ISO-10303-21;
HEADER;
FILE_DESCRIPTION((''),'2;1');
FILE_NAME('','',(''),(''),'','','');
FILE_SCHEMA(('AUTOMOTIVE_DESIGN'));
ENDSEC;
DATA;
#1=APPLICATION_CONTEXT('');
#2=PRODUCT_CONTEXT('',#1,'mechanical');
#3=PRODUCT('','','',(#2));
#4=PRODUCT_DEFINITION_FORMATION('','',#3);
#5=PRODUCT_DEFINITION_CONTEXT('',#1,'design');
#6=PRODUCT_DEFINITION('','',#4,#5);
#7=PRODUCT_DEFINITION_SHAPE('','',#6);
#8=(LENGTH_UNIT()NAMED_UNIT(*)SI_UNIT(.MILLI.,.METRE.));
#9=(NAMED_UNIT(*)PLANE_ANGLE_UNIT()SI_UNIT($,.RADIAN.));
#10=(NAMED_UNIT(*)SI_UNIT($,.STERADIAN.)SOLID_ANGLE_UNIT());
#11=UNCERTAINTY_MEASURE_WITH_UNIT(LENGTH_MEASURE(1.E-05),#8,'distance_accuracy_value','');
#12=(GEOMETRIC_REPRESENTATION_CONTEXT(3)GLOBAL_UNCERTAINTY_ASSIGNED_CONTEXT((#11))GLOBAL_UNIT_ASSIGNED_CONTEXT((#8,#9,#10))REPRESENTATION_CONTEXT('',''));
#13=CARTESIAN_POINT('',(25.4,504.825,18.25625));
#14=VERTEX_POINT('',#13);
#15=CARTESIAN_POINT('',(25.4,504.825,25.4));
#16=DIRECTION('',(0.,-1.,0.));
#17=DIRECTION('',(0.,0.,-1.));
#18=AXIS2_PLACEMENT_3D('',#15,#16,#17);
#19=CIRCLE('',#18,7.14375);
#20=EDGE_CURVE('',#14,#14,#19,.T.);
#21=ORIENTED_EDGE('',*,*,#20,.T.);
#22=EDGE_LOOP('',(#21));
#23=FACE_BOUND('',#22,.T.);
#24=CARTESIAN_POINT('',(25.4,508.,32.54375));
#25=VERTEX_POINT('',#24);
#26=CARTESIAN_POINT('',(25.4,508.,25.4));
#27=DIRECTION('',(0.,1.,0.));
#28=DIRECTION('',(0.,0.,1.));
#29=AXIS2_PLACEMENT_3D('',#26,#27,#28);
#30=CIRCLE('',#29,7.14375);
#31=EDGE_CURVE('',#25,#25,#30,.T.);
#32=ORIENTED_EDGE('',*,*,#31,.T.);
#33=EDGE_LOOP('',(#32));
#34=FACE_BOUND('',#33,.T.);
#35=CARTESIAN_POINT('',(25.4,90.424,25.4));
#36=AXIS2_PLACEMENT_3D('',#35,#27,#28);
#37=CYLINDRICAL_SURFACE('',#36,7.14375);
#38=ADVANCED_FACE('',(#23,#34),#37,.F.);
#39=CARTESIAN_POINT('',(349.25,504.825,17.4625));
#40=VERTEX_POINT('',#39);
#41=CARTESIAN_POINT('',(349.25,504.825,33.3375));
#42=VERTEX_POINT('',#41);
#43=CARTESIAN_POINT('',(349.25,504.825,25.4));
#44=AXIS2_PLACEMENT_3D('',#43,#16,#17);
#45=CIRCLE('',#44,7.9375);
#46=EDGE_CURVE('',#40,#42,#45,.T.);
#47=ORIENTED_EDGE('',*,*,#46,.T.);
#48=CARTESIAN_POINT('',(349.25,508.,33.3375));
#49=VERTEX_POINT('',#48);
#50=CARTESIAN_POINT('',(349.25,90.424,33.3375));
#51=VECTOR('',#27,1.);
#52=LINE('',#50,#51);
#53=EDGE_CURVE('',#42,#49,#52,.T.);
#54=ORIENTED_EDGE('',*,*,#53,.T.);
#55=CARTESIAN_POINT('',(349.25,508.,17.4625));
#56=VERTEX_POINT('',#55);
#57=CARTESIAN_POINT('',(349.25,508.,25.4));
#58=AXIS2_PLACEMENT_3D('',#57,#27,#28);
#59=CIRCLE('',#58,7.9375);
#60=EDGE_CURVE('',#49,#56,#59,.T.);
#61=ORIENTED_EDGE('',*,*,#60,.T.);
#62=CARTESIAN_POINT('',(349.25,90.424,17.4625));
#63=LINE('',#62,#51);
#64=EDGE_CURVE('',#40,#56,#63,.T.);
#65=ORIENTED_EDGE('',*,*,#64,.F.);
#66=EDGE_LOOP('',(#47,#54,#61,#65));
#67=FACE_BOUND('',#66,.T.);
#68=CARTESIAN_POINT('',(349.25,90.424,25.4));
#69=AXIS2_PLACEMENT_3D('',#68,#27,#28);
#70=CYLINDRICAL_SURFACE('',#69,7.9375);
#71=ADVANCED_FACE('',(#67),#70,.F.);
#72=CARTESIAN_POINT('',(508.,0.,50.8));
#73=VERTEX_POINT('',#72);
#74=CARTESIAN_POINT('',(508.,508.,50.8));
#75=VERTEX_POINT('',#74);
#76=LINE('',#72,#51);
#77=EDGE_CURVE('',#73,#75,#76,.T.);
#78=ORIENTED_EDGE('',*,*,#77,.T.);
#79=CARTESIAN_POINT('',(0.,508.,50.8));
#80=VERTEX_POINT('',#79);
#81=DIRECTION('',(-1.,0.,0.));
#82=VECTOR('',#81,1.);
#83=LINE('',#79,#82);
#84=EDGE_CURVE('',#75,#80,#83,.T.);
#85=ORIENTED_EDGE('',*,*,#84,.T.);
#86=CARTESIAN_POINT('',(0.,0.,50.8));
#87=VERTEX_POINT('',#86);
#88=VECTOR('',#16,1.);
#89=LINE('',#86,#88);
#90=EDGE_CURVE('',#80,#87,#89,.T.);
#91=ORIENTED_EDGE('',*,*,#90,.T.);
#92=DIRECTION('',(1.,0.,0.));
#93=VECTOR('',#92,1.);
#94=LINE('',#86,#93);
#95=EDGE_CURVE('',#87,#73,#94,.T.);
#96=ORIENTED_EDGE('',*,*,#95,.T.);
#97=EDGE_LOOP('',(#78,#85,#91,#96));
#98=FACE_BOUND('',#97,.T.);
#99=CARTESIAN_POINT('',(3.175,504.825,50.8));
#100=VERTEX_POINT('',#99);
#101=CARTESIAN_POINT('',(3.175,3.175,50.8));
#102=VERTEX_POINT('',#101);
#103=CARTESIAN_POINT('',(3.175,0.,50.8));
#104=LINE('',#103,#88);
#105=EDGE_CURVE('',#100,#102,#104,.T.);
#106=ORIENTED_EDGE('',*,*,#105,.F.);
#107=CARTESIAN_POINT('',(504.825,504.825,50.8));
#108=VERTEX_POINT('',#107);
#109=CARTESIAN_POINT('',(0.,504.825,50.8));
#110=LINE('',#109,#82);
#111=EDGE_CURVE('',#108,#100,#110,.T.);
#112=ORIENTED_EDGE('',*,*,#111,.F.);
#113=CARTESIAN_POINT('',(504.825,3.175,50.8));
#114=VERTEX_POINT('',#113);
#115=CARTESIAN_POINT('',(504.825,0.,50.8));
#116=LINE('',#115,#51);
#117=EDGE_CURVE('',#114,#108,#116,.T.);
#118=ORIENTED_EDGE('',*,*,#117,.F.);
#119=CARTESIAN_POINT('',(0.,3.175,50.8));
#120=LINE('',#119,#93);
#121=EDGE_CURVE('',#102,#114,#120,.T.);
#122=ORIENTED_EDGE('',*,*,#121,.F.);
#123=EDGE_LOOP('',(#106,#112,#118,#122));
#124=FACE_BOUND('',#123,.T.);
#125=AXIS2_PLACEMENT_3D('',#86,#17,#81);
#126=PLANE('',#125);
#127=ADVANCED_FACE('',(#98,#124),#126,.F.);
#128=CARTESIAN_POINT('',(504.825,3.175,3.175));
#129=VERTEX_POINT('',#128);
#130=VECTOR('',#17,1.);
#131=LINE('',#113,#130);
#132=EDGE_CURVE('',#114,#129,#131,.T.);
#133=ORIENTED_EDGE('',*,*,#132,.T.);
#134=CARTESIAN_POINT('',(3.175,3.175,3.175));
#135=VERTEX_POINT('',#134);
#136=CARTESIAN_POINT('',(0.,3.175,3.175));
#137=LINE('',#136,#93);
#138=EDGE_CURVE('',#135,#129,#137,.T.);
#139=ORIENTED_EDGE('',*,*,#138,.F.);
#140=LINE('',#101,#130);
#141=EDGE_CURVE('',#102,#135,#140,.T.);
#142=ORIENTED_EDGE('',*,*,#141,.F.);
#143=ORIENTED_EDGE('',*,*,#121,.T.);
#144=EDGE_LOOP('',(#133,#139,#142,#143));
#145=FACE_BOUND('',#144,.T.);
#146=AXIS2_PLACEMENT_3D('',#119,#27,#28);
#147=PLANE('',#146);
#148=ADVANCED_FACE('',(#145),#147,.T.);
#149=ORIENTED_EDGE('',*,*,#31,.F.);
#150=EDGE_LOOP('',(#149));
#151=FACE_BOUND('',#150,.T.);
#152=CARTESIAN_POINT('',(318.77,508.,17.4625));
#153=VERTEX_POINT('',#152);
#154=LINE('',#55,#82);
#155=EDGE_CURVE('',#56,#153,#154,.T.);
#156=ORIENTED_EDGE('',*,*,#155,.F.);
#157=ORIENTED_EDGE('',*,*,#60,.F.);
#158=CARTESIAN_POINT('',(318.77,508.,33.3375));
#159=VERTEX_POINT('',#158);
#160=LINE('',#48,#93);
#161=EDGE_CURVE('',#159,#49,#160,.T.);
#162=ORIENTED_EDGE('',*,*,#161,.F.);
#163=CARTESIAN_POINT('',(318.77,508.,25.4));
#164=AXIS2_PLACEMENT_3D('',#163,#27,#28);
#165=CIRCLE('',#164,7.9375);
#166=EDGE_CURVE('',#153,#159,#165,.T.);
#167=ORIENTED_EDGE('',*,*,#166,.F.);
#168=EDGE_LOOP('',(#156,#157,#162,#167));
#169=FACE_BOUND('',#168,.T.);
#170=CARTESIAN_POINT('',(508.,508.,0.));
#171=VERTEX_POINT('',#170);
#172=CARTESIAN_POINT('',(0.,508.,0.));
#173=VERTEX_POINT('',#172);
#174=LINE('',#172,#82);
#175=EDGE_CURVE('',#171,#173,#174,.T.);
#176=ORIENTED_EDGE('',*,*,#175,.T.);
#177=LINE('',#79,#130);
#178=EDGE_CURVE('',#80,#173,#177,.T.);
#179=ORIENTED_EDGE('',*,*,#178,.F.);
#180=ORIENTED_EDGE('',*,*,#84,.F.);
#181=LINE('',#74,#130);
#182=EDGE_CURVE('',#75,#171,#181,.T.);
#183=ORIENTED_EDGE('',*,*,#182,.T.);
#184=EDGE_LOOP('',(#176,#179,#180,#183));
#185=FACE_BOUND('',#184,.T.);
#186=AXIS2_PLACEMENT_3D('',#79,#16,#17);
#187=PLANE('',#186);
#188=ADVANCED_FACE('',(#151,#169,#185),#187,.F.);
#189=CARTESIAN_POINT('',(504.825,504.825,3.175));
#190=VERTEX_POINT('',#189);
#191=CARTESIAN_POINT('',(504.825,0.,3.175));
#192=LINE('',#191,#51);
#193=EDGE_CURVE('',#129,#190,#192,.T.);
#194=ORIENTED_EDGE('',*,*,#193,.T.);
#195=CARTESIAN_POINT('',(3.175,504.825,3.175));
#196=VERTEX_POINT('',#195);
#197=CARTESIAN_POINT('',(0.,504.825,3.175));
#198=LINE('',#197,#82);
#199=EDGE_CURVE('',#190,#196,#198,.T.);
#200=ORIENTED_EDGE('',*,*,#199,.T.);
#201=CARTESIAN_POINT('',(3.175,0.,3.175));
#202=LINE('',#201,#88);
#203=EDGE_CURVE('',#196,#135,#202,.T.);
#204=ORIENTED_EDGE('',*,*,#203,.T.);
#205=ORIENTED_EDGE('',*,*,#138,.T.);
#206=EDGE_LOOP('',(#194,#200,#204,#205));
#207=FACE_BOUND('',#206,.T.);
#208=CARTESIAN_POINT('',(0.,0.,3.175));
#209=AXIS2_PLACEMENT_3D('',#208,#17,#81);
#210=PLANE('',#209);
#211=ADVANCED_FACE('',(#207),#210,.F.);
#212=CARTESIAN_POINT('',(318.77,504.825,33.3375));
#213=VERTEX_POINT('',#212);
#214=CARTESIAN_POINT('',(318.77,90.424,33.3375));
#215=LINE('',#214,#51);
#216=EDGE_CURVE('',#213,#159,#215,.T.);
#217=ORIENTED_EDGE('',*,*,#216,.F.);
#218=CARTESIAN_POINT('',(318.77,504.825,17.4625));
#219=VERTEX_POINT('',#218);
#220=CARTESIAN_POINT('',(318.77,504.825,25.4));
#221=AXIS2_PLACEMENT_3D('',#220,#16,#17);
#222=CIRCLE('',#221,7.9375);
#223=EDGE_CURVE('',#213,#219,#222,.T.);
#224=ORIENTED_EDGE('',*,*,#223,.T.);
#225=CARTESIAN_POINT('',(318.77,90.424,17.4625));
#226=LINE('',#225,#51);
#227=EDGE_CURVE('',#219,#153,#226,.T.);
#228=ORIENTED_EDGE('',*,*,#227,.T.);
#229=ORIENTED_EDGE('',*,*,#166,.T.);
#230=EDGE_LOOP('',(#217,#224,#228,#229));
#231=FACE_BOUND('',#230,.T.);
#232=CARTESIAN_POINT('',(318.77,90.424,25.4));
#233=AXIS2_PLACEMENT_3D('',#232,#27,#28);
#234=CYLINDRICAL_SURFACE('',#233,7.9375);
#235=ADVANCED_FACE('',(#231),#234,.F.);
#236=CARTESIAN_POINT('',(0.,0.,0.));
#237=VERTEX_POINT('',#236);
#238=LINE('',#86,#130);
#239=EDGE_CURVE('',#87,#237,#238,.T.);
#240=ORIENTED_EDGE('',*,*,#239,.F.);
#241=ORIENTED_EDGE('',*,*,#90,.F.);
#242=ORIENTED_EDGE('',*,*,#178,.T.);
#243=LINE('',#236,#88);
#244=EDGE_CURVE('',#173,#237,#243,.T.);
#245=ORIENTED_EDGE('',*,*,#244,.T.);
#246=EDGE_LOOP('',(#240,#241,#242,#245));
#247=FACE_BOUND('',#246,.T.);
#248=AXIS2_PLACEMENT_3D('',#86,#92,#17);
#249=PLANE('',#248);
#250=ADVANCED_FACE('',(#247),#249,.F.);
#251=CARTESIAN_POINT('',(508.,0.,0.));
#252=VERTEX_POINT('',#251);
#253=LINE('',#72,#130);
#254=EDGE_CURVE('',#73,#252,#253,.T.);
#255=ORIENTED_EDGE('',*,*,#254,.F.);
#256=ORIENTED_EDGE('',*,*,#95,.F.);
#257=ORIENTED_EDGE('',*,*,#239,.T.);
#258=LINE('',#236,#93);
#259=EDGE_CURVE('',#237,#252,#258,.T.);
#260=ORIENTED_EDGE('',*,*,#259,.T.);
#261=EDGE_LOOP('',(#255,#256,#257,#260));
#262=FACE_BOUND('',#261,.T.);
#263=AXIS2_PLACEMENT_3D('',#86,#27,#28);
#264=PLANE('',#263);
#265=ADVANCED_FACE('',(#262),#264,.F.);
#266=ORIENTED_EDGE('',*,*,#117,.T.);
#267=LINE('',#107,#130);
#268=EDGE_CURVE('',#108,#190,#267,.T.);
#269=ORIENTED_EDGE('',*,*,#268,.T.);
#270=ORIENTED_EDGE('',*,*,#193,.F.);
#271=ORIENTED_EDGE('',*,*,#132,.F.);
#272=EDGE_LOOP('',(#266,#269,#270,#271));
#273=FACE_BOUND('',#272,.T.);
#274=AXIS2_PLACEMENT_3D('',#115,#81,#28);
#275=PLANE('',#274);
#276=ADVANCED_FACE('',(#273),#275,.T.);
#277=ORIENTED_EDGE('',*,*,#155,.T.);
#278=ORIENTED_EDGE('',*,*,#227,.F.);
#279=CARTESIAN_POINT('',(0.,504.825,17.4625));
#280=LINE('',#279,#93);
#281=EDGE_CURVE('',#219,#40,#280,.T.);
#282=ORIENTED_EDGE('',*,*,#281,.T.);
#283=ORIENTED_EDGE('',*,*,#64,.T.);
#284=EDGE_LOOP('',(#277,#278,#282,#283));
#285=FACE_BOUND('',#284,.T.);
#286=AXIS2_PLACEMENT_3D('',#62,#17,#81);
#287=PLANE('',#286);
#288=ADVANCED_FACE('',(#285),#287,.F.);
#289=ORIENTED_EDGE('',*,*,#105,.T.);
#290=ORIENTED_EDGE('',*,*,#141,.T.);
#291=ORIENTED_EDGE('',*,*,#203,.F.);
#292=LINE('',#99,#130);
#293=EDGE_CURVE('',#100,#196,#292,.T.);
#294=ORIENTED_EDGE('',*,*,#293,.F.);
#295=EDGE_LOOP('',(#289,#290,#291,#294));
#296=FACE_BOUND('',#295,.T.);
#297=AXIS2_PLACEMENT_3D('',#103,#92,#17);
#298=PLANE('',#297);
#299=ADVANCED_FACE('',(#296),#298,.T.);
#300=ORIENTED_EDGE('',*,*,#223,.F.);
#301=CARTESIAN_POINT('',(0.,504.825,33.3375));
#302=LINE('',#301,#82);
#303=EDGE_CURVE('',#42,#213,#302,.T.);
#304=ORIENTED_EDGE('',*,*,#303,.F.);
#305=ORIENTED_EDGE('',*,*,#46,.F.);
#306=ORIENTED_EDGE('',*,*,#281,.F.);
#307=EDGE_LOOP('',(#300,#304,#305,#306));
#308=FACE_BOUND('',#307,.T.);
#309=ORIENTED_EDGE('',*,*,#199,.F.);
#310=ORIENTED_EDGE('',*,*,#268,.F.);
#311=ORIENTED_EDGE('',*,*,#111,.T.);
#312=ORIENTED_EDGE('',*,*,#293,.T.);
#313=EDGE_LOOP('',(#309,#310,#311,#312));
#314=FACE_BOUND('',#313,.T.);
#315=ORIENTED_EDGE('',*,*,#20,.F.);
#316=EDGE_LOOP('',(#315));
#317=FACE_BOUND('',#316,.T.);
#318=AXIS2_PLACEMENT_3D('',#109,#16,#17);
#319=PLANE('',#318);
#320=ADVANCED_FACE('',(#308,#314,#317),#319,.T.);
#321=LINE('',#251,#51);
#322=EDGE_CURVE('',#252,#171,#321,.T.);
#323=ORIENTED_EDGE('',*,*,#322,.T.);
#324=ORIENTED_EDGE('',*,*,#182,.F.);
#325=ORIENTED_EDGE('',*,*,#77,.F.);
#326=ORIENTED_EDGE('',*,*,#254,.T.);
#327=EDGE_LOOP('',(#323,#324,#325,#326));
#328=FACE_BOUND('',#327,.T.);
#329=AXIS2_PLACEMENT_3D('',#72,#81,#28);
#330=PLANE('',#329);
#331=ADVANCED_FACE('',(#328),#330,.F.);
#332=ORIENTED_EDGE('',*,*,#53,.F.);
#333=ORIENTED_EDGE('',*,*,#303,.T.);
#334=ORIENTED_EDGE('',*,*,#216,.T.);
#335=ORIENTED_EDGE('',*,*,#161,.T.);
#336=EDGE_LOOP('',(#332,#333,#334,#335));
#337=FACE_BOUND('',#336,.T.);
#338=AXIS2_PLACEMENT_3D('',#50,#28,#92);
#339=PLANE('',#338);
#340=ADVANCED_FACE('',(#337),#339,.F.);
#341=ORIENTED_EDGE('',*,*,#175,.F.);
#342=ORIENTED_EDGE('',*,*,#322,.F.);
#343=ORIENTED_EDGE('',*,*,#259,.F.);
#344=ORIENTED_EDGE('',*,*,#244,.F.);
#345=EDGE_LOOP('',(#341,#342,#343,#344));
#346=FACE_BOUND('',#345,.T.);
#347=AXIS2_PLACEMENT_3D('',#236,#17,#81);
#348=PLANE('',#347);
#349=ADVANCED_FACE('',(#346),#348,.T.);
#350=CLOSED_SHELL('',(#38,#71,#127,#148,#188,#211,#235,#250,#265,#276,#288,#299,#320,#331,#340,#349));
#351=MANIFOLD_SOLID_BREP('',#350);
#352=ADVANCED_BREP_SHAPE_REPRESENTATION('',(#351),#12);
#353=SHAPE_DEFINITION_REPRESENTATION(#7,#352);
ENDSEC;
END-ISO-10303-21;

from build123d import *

# Parameters (mm, degrees)
SKETCH1_W           = 508
SKETCH1_H           = 508
BOSS_EXTRUDE1_DEPTH = 50.8
SHELL1_T            = -3.175
SKETCH2_R           = 7.14375
CUT_EXTRUDE1_DEPTH  = 417.576


with BuildPart() as part:
    # Sketch1 → Boss-Extrude1 (new body)
    with BuildSketch(Plane.XY):
        with Locations((254, 254)):
            Rectangle(SKETCH1_W, SKETCH1_H)
    extrude(amount=BOSS_EXTRUDE1_DEPTH)

    # Shell1
    shell1_openings = [part.faces().sort_by_distance(p)[0] for p in [
        (254, 254, 50.8),
    ]]
    offset(amount=SHELL1_T, openings=shell1_openings, kind=Kind.INTERSECTION)

    # Sketch2 → Cut-Extrude1 (cut)
    with BuildSketch(Plane(origin=(0, 508, 0), x_dir=(1, 0, 0), z_dir=(0, 1, 0))):
        with Locations(Location((25.4, -25.4, 0), (0, 0, 270))):
            Circle(SKETCH2_R)
        with BuildLine():
            Line((349.25, -33.3375), (318.77, -33.3375))
            ThreePointArc((318.77, -33.3375), (310.8325, -25.4), (318.77, -17.4625))
            Line((318.77, -17.4625), (349.25, -17.4625))
            ThreePointArc((349.25, -17.4625), (357.1875, -25.4), (349.25, -33.3375))
        make_face()
    extrude(amount=-CUT_EXTRUDE1_DEPTH, mode=Mode.SUBTRACT)


solid = part.part
